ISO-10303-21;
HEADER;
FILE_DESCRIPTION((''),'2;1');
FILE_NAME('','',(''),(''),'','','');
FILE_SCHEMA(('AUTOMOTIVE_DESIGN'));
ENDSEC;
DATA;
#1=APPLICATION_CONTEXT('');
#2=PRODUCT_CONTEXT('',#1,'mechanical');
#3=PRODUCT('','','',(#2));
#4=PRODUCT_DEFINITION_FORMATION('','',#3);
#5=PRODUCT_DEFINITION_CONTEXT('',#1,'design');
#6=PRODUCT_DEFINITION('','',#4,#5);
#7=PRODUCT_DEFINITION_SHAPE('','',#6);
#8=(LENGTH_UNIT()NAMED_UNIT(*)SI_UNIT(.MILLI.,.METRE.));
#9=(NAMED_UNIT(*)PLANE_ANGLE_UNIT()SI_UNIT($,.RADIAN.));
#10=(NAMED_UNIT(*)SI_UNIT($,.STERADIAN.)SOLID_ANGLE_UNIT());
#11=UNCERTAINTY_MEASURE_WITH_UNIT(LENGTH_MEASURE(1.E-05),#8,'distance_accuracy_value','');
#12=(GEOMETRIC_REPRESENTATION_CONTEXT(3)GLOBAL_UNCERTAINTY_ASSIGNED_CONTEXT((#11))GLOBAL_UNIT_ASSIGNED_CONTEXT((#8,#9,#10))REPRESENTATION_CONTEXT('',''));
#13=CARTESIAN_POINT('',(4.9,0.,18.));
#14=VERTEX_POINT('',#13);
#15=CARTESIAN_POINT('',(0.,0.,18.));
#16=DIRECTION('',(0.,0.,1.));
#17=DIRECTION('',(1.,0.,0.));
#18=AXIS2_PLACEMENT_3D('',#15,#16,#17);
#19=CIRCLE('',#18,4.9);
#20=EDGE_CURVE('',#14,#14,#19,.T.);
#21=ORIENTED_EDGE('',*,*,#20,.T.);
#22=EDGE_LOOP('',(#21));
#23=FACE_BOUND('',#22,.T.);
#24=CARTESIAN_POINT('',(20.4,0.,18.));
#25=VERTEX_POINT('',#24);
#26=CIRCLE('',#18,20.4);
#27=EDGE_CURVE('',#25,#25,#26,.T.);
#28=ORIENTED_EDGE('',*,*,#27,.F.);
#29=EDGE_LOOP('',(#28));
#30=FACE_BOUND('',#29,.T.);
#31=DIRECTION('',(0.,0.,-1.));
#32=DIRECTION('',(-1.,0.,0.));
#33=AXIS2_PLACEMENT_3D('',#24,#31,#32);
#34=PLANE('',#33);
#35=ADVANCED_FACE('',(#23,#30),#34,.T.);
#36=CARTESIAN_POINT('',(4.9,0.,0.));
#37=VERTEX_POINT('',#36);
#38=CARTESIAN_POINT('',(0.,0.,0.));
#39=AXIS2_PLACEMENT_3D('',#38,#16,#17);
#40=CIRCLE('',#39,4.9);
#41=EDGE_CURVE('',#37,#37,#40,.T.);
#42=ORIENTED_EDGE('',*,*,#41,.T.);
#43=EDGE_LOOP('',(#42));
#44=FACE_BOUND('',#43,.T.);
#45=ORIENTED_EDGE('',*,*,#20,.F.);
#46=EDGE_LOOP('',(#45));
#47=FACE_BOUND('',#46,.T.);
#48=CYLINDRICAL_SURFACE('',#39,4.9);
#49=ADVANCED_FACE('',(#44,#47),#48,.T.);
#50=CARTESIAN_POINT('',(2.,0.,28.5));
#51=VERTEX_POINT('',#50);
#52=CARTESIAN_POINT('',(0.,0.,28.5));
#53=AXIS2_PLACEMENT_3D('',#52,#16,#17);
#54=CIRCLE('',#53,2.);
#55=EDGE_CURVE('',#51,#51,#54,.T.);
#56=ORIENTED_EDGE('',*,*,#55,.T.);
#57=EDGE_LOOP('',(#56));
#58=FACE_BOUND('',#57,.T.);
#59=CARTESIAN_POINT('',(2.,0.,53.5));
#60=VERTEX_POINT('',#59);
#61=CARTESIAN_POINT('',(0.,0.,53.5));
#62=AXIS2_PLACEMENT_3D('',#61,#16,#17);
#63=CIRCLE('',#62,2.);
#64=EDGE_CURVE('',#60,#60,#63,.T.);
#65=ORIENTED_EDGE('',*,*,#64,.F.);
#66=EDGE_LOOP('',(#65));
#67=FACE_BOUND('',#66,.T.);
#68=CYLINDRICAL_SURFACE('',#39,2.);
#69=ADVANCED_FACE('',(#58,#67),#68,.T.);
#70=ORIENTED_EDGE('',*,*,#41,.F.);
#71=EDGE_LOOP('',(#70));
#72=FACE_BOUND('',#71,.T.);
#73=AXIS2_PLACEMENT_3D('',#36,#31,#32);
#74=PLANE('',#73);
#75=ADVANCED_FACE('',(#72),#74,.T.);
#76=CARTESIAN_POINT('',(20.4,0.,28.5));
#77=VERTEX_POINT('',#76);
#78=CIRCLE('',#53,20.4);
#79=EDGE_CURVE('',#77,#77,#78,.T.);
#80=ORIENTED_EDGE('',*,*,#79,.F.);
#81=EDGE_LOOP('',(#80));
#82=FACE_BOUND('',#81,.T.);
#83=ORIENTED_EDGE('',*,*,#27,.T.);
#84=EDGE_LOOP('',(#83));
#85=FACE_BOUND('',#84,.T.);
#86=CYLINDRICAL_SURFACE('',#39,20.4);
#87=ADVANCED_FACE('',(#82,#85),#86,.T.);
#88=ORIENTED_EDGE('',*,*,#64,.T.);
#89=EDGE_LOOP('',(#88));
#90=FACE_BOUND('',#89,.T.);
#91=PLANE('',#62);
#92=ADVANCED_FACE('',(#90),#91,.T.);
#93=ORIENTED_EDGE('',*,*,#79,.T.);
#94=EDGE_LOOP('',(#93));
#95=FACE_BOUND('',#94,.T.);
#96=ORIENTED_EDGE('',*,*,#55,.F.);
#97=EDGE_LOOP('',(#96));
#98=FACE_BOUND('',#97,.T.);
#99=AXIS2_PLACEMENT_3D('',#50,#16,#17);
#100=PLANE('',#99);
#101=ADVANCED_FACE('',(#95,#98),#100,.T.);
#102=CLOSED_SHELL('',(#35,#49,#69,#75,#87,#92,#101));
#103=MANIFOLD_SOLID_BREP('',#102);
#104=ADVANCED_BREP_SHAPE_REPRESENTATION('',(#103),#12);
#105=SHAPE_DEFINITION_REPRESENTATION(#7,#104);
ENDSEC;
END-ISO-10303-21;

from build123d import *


with BuildPart() as part:
    # Sketch1 → Revolve1 (revolve)
    with BuildSketch(Plane(origin=(0, 0, 0), x_dir=(1, 0, 0), z_dir=(0, 1, 0))):
        Polygon((4.9, 0), (0, 0), (0, -53.5), (2, -53.5), (2, -28.5), (20.4, -28.5), (20.4, -18), (4.9, -18), align=None)
    revolve(axis=Axis((0, 0, 0), (0, 0, 1)))


solid = part.part
